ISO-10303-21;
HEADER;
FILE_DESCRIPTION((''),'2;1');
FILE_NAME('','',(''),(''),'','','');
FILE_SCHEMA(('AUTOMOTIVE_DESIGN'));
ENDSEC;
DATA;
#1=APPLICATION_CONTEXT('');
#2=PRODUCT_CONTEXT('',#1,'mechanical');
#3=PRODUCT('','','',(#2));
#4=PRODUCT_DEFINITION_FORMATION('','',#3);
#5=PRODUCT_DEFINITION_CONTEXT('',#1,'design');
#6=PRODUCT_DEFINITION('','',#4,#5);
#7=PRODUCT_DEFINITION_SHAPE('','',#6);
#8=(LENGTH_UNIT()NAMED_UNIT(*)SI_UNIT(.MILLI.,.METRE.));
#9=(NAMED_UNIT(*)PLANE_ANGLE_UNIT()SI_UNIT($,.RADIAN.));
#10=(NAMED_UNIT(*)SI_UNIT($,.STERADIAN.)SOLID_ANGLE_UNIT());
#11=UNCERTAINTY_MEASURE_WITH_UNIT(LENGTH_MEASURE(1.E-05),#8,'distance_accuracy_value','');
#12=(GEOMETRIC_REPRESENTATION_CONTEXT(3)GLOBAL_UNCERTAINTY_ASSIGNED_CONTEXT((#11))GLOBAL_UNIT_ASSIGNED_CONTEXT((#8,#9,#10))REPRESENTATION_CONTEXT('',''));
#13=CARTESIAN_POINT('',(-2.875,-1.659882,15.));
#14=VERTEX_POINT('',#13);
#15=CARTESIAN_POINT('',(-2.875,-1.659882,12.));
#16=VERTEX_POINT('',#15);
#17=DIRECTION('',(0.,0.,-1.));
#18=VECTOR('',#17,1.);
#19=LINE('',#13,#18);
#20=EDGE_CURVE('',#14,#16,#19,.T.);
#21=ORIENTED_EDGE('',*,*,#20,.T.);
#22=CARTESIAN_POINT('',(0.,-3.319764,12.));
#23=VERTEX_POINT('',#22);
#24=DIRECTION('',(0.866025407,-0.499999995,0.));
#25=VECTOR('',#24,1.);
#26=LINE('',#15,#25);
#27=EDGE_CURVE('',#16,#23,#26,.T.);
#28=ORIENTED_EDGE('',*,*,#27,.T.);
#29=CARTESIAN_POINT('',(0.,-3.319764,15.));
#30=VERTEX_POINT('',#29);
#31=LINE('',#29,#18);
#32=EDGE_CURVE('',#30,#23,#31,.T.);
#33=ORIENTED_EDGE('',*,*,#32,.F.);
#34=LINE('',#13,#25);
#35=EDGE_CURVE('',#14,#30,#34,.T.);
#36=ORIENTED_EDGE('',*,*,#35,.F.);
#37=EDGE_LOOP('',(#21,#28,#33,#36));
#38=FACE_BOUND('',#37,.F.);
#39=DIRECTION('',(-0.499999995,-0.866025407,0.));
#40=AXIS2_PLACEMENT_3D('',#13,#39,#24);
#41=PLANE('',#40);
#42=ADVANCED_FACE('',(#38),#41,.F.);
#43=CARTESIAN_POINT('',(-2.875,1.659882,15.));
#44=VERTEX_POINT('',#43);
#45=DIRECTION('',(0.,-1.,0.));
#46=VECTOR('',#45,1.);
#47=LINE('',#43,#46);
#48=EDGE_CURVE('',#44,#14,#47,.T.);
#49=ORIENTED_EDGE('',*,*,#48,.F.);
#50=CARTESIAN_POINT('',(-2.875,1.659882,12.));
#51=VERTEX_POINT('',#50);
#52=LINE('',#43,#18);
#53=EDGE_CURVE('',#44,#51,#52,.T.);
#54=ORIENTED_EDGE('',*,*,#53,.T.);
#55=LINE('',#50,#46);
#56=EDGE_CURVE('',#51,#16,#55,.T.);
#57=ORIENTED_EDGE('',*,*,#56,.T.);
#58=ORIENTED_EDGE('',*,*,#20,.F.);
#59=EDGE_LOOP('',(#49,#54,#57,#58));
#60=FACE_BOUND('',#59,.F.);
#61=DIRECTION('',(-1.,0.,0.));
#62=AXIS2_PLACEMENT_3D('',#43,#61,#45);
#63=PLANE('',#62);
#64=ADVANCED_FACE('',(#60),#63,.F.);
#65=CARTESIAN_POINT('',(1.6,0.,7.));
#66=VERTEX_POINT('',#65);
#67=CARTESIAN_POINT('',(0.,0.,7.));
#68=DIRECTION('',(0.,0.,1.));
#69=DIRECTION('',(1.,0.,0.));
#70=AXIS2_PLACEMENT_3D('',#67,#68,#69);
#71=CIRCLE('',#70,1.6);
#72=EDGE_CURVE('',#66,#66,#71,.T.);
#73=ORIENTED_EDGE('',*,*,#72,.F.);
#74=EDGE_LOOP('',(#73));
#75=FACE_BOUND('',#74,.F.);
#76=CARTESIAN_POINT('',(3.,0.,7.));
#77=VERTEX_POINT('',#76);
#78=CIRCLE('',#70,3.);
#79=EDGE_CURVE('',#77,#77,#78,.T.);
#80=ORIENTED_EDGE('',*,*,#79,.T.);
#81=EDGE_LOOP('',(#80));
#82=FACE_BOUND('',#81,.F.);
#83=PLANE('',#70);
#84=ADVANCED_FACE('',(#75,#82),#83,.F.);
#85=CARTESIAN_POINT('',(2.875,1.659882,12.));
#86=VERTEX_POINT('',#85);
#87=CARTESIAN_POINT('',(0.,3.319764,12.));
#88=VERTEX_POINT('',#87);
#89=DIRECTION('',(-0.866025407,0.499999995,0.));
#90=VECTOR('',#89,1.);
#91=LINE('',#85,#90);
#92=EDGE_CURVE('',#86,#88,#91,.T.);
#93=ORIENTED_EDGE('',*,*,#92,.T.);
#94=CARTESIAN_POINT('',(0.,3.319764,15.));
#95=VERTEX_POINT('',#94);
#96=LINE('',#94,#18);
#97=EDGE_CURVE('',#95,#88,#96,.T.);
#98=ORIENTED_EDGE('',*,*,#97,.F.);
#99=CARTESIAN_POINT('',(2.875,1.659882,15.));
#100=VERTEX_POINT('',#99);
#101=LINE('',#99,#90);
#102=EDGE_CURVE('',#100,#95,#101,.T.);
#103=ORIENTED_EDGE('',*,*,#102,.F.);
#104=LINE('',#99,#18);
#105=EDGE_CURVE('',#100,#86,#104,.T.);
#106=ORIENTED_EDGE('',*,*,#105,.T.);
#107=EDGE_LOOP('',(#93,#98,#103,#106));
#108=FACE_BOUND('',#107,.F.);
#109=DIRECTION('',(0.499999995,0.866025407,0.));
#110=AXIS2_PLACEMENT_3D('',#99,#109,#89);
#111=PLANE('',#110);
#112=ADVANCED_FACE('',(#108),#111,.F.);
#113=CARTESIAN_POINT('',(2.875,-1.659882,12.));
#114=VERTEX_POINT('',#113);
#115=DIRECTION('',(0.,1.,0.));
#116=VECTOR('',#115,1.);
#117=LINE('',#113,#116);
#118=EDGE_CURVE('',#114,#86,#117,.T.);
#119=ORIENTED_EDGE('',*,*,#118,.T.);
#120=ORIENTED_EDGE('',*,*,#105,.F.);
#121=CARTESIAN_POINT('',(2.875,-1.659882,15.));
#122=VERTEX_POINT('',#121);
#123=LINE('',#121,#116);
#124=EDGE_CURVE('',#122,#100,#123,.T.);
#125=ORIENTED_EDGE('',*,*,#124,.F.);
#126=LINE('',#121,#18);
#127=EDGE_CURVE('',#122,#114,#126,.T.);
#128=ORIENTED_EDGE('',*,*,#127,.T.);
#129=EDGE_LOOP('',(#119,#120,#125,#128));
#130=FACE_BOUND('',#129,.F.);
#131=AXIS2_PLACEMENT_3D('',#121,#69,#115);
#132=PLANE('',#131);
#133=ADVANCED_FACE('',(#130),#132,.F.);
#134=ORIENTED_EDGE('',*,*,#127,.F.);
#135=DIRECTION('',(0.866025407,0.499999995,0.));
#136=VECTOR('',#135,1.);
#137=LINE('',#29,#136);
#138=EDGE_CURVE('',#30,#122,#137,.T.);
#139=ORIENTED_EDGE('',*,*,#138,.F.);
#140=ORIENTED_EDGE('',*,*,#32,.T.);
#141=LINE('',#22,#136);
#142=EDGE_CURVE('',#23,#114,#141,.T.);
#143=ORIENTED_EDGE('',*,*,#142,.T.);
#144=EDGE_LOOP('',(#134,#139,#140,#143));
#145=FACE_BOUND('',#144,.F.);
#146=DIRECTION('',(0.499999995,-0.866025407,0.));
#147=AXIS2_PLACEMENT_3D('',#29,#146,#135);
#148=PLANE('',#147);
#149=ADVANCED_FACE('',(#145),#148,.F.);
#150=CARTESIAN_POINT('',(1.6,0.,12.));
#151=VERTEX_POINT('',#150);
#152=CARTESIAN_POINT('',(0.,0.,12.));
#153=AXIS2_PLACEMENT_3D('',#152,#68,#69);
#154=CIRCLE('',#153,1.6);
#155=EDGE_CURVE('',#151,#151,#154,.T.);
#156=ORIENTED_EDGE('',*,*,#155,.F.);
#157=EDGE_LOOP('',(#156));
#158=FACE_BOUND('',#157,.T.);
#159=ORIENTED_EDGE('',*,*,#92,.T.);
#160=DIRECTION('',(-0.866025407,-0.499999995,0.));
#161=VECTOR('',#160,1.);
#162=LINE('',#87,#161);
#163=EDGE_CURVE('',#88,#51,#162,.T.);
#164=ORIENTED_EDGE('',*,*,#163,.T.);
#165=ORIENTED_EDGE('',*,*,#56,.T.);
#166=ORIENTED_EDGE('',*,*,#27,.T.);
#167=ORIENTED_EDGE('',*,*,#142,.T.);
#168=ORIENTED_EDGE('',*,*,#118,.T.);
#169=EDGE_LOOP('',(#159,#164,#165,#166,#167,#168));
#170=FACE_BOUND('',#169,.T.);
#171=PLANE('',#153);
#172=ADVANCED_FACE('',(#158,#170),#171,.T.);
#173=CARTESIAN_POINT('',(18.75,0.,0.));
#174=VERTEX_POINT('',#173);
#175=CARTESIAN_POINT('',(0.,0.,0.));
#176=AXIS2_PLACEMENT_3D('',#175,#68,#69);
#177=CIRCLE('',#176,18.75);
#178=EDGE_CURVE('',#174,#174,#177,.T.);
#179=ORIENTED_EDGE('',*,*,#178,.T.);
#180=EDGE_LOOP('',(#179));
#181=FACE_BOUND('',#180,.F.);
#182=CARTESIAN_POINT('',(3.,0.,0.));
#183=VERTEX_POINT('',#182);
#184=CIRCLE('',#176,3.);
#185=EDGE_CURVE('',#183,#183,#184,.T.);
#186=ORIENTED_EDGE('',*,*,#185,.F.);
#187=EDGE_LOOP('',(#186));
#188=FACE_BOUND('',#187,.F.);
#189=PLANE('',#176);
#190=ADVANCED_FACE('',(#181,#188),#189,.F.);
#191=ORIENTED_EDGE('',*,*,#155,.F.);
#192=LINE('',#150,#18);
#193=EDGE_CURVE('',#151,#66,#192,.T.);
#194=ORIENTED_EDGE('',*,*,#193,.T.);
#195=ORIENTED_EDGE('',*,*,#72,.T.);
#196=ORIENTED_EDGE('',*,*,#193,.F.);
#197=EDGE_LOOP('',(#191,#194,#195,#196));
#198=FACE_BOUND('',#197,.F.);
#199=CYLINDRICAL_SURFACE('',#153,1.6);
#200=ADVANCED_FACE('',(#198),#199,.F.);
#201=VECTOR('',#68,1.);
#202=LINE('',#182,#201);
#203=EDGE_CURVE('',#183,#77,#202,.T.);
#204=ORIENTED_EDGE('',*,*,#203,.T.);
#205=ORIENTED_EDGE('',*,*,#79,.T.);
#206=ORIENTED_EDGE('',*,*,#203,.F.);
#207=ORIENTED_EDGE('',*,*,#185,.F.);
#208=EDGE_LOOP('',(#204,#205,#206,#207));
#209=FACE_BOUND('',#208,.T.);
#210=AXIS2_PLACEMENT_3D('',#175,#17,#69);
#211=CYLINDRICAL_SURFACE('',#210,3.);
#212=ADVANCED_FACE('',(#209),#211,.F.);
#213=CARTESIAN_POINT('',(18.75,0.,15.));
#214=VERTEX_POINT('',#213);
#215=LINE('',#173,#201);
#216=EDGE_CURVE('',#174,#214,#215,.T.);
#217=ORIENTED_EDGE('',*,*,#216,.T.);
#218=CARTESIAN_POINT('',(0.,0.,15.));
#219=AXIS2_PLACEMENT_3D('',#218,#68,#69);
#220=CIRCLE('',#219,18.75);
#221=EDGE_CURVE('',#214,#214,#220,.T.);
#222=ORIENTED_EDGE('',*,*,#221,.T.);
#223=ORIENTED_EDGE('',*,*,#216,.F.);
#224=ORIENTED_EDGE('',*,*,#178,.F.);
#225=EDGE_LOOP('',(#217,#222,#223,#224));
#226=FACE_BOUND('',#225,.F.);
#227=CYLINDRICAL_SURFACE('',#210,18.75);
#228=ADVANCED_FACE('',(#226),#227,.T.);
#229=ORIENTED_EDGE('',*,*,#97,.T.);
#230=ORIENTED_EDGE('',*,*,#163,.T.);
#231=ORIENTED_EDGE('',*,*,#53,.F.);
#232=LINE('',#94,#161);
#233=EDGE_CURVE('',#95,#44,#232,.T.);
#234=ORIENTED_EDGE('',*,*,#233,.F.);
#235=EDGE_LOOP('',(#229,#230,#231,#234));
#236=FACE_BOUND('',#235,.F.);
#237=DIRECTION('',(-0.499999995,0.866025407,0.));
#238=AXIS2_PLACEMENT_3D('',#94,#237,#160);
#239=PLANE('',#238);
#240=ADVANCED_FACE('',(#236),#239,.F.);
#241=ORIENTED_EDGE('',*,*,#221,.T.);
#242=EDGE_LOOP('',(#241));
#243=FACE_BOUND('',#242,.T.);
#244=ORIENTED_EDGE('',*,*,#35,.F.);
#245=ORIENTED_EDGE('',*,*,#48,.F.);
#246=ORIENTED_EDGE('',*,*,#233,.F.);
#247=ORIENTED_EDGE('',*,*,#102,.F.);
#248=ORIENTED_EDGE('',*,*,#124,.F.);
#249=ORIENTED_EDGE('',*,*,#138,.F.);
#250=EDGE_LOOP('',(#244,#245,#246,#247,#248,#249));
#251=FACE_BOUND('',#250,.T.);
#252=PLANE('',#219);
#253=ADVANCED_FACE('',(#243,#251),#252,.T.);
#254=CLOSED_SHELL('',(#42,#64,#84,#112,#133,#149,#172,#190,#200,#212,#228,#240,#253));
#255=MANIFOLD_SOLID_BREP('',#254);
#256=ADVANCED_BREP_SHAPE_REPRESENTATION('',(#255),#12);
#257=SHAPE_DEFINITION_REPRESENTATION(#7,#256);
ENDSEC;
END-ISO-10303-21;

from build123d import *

# Parameters (mm, degrees)
F0_R     = 18.75
F1_DEPTH = 15
F3_DEPTH = 3
F4_R     = 1.6
F5_DEPTH = 25
F6_R     = 3
F7_DEPTH = 7


with BuildPart() as f1:
    # F0 (on Top) → F1 (new body)
    with BuildSketch(Plane.XY):
        Circle(F0_R)
    extrude(amount=F1_DEPTH)

    # F2 (on face) → F3 (cut)
    with BuildSketch(Plane.XY.offset(15)):
        Polygon((2.875, -1.659882), (2.875, 1.659882), (0, 3.319764), (-2.875, 1.659882), (-2.875, -1.659882), (0, -3.319764), align=None)
    extrude(amount=-F3_DEPTH, mode=Mode.SUBTRACT)

    # F4 (on face) → F5 (cut)
    with BuildSketch(Plane.XY.offset(12)):
        Circle(F4_R)
    extrude(amount=-F5_DEPTH, mode=Mode.SUBTRACT)

    # F6 (on face) → F7 (cut)
    with BuildSketch(Plane.XY):
        Circle(F6_R)
    extrude(amount=F7_DEPTH, mode=Mode.SUBTRACT)


solid = f1.part
